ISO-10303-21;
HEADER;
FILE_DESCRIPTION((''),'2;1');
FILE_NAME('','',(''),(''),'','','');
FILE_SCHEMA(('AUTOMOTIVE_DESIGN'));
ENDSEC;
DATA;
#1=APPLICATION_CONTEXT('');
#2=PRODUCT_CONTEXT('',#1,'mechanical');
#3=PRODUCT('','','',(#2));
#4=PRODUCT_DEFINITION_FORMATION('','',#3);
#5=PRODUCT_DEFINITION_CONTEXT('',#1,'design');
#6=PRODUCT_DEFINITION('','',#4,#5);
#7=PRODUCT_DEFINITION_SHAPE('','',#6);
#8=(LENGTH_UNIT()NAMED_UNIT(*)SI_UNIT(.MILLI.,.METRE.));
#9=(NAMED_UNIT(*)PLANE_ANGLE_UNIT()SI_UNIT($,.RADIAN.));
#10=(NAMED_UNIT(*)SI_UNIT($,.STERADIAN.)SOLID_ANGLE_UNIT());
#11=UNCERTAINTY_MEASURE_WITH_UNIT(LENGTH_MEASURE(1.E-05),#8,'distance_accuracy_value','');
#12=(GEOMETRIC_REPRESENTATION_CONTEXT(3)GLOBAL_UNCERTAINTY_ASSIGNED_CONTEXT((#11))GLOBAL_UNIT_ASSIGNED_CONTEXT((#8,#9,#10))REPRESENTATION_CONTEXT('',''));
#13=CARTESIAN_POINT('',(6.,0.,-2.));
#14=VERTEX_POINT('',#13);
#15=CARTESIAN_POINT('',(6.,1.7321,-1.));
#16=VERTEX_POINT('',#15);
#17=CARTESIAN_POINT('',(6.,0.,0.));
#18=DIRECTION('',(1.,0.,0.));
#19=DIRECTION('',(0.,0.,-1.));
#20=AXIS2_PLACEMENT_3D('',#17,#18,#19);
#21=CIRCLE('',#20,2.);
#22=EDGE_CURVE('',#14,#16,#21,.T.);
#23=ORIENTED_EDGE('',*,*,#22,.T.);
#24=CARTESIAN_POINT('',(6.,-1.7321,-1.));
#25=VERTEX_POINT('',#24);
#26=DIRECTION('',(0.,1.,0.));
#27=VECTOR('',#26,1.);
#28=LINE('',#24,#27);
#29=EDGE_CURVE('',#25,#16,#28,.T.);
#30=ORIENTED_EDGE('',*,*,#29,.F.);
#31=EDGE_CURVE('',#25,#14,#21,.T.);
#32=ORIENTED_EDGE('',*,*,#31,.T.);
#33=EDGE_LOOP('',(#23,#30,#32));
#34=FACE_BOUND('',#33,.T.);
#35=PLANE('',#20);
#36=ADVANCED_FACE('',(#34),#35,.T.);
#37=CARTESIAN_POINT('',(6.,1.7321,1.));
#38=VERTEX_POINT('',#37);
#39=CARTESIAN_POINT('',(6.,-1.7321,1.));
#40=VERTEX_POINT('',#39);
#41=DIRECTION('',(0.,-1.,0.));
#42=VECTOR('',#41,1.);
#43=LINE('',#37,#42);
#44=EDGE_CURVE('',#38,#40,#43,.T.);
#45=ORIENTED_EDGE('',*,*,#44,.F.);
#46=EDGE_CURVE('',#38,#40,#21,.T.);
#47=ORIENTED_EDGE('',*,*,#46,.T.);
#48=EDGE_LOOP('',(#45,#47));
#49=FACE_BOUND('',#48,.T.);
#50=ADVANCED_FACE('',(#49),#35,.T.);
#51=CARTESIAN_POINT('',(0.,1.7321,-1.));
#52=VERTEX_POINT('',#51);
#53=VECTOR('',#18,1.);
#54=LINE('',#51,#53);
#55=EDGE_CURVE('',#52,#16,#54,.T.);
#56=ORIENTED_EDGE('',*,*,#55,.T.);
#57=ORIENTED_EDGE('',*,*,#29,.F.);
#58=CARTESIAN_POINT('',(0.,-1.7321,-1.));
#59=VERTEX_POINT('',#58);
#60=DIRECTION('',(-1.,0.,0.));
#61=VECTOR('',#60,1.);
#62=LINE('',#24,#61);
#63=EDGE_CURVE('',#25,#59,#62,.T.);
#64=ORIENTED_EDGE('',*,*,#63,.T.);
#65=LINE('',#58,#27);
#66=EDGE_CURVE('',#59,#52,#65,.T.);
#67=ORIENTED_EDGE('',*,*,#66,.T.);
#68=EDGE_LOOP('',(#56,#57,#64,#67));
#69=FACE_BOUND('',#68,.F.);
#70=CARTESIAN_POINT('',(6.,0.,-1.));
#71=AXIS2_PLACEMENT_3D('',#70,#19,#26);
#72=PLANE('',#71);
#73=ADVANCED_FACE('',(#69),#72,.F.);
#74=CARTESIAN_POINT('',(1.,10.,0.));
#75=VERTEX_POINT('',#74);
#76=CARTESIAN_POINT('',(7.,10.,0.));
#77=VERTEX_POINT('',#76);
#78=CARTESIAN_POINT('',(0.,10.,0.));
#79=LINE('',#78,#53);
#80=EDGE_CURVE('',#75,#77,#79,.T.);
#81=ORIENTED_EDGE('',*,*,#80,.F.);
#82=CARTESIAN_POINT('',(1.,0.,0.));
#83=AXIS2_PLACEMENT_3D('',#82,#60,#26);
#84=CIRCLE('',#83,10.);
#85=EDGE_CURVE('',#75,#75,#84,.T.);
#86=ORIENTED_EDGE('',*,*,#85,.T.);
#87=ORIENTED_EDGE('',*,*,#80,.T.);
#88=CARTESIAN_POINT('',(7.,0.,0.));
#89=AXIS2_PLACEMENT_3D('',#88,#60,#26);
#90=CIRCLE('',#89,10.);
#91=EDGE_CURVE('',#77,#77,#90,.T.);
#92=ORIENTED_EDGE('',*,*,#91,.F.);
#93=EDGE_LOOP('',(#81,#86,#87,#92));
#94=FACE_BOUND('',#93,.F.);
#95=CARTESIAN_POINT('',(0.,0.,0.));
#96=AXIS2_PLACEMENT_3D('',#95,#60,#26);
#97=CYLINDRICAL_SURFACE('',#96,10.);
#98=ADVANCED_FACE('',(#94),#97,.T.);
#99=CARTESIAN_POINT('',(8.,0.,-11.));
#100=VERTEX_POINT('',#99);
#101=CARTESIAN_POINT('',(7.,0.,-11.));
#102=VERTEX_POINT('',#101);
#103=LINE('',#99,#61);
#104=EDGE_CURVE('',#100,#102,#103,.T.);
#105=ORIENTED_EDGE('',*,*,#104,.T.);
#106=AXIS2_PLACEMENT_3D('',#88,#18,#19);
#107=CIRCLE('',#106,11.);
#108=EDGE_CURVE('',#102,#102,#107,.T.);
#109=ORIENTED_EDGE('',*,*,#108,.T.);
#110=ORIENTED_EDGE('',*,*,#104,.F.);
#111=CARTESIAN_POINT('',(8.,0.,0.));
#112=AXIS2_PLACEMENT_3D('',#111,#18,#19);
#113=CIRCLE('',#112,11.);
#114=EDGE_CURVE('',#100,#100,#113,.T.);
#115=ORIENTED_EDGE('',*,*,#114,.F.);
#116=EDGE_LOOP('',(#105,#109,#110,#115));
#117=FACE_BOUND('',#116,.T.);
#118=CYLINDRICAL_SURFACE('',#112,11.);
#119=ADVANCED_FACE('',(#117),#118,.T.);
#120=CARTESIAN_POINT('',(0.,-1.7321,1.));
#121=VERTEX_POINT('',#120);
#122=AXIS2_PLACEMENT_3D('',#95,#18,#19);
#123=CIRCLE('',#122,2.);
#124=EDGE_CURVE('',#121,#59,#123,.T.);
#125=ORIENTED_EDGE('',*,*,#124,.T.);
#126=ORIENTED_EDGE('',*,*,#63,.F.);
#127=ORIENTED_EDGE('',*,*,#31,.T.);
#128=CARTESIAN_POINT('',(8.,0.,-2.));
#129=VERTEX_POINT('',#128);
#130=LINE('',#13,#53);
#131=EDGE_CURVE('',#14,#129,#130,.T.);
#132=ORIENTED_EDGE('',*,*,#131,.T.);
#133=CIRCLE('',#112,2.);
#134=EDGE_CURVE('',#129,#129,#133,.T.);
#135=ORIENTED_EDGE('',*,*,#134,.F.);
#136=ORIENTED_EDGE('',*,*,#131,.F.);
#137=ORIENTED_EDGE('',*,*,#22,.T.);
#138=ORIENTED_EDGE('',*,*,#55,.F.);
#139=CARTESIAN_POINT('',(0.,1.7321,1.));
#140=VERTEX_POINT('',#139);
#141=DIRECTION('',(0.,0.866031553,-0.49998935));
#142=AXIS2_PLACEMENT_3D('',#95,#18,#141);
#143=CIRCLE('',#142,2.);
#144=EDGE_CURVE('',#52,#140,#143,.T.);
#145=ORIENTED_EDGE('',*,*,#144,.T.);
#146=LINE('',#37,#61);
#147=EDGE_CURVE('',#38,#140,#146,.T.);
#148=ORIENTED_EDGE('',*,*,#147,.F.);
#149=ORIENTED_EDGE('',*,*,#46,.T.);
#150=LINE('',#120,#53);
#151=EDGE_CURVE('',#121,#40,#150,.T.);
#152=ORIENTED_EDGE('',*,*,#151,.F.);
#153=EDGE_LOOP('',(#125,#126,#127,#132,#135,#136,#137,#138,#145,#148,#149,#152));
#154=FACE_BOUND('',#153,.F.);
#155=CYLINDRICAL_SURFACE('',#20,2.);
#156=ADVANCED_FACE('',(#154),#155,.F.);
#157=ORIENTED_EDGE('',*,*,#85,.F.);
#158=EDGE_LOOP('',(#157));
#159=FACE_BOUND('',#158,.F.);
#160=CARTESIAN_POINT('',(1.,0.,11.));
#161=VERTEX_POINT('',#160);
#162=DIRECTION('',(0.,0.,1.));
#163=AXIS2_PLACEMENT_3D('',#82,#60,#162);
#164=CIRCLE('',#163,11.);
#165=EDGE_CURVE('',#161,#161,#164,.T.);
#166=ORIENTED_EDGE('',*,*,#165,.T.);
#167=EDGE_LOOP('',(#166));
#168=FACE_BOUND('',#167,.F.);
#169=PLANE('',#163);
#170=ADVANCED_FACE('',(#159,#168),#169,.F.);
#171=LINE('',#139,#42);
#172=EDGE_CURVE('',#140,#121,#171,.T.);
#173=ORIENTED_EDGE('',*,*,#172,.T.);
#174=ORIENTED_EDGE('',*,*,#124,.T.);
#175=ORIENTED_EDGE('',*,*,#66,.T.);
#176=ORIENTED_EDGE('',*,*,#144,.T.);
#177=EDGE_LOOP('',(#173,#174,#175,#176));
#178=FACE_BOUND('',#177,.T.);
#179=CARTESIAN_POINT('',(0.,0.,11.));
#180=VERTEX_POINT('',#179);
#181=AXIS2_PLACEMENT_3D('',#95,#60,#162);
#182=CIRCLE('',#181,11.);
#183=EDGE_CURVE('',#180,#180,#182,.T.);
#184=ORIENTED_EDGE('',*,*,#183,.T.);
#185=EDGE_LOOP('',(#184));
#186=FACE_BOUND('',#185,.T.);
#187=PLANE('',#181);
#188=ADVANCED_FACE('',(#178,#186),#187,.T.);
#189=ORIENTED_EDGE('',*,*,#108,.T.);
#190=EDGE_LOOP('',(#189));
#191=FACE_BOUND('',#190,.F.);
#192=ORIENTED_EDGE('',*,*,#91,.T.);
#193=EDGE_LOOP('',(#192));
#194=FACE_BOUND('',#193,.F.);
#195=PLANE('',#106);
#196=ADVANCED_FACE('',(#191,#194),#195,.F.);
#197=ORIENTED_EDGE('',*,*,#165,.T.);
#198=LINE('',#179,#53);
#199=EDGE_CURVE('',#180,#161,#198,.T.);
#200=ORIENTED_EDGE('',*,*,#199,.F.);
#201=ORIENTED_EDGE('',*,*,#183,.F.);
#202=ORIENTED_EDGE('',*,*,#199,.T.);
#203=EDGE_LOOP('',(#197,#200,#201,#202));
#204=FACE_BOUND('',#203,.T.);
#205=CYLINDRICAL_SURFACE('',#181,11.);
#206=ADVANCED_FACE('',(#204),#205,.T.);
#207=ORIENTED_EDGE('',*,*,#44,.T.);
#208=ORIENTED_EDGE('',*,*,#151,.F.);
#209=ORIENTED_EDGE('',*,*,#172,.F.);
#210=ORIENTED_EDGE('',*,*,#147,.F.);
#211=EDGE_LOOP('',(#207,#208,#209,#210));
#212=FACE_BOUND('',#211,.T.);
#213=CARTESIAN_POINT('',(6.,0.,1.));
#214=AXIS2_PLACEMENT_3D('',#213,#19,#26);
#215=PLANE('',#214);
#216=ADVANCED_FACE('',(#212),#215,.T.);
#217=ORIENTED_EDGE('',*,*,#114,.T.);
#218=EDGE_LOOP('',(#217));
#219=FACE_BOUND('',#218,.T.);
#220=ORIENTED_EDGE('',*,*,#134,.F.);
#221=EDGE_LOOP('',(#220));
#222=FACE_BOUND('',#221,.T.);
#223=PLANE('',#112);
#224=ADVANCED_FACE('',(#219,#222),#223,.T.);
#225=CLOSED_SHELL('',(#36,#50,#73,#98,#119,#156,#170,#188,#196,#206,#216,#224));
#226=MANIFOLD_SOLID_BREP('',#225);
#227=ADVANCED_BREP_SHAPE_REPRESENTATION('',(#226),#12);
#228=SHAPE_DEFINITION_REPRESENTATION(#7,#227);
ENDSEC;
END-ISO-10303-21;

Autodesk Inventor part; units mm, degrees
ref_plane "YZ Plane" through (0, 0, 0) normal (1, 0, 0) x (0, 1, 0)
ref_plane "XZ Plane" through (0, 0, 0) normal (0, 1, 0) x (-1, 0, 0)
ref_plane "XY Plane" through (0, 0, 0) normal (0, 0, 1) x (1, 0, 0)
sketch "Esboço1" plane through (0, 0, 0) normal (1, 0, 0) x (0, 1, 0)
  circle A0 centre (0, 0) radius 10
  dimension "d0" = 20
extrude "Extrusão1" add sketch "Esboço1" along normal blind 8
sketch "Esboço2" plane through (8, 0, 0) normal (1, 0, 0) x (0, 0, -1)
  circle A0 centre (0, 0) radius 2
  dimension "d3" = 4
extrude "Extrusão2" cut sketch "Esboço2" against normal blind 2
sketch "Esboço3" plane through (6, 0, 0) normal (1, 0, 0) x (0, 0, -1)
  line L0 (1, 0) -> (1, 1.7321)
  circle A0 centre (0, 0) radius 2 projected
  line L1 (1, 0) -> (1, -1.7321)
  line L2 (-1, 0) -> (-1, 1.7321)
  line L3 (-1, 0) -> (-1, -1.7321)
  arc A1 (-1, 1.7321) -> (0, 2) centre (0, 0) ccw
  arc A2 (-1, -1.7321) -> (1, -1.7321) centre (0, 0) ccw
  dimension "d6" = 1
  dimension "d7" = 1
extrude "Extrusão3" cut sketch "Esboço3" against normal through all contours L1 A0 L3 L2 L0
sketch "Esboço4" plane through (8, 0, 0) normal (1, 0, 0) x (0, 0, -1)
  circle A0 centre (0, 0) radius 2
  circle A1 centre (0, 0) radius 11
  dimension "d10" = 22
extrude "Extrusão4" add sketch "Esboço4" against normal blind 1
sketch "Esboço5" plane through (0, 0, 0) normal (-1, 0, 0) x (0, 0, 1)
  circle A0 centre (0, 0) radius 2
  circle A1 centre (0, 0) radius 11
extrude "Extrusão5" add sketch "Esboço5" against normal blind 1
properties part number "RODA MOTOR-PASSO"
